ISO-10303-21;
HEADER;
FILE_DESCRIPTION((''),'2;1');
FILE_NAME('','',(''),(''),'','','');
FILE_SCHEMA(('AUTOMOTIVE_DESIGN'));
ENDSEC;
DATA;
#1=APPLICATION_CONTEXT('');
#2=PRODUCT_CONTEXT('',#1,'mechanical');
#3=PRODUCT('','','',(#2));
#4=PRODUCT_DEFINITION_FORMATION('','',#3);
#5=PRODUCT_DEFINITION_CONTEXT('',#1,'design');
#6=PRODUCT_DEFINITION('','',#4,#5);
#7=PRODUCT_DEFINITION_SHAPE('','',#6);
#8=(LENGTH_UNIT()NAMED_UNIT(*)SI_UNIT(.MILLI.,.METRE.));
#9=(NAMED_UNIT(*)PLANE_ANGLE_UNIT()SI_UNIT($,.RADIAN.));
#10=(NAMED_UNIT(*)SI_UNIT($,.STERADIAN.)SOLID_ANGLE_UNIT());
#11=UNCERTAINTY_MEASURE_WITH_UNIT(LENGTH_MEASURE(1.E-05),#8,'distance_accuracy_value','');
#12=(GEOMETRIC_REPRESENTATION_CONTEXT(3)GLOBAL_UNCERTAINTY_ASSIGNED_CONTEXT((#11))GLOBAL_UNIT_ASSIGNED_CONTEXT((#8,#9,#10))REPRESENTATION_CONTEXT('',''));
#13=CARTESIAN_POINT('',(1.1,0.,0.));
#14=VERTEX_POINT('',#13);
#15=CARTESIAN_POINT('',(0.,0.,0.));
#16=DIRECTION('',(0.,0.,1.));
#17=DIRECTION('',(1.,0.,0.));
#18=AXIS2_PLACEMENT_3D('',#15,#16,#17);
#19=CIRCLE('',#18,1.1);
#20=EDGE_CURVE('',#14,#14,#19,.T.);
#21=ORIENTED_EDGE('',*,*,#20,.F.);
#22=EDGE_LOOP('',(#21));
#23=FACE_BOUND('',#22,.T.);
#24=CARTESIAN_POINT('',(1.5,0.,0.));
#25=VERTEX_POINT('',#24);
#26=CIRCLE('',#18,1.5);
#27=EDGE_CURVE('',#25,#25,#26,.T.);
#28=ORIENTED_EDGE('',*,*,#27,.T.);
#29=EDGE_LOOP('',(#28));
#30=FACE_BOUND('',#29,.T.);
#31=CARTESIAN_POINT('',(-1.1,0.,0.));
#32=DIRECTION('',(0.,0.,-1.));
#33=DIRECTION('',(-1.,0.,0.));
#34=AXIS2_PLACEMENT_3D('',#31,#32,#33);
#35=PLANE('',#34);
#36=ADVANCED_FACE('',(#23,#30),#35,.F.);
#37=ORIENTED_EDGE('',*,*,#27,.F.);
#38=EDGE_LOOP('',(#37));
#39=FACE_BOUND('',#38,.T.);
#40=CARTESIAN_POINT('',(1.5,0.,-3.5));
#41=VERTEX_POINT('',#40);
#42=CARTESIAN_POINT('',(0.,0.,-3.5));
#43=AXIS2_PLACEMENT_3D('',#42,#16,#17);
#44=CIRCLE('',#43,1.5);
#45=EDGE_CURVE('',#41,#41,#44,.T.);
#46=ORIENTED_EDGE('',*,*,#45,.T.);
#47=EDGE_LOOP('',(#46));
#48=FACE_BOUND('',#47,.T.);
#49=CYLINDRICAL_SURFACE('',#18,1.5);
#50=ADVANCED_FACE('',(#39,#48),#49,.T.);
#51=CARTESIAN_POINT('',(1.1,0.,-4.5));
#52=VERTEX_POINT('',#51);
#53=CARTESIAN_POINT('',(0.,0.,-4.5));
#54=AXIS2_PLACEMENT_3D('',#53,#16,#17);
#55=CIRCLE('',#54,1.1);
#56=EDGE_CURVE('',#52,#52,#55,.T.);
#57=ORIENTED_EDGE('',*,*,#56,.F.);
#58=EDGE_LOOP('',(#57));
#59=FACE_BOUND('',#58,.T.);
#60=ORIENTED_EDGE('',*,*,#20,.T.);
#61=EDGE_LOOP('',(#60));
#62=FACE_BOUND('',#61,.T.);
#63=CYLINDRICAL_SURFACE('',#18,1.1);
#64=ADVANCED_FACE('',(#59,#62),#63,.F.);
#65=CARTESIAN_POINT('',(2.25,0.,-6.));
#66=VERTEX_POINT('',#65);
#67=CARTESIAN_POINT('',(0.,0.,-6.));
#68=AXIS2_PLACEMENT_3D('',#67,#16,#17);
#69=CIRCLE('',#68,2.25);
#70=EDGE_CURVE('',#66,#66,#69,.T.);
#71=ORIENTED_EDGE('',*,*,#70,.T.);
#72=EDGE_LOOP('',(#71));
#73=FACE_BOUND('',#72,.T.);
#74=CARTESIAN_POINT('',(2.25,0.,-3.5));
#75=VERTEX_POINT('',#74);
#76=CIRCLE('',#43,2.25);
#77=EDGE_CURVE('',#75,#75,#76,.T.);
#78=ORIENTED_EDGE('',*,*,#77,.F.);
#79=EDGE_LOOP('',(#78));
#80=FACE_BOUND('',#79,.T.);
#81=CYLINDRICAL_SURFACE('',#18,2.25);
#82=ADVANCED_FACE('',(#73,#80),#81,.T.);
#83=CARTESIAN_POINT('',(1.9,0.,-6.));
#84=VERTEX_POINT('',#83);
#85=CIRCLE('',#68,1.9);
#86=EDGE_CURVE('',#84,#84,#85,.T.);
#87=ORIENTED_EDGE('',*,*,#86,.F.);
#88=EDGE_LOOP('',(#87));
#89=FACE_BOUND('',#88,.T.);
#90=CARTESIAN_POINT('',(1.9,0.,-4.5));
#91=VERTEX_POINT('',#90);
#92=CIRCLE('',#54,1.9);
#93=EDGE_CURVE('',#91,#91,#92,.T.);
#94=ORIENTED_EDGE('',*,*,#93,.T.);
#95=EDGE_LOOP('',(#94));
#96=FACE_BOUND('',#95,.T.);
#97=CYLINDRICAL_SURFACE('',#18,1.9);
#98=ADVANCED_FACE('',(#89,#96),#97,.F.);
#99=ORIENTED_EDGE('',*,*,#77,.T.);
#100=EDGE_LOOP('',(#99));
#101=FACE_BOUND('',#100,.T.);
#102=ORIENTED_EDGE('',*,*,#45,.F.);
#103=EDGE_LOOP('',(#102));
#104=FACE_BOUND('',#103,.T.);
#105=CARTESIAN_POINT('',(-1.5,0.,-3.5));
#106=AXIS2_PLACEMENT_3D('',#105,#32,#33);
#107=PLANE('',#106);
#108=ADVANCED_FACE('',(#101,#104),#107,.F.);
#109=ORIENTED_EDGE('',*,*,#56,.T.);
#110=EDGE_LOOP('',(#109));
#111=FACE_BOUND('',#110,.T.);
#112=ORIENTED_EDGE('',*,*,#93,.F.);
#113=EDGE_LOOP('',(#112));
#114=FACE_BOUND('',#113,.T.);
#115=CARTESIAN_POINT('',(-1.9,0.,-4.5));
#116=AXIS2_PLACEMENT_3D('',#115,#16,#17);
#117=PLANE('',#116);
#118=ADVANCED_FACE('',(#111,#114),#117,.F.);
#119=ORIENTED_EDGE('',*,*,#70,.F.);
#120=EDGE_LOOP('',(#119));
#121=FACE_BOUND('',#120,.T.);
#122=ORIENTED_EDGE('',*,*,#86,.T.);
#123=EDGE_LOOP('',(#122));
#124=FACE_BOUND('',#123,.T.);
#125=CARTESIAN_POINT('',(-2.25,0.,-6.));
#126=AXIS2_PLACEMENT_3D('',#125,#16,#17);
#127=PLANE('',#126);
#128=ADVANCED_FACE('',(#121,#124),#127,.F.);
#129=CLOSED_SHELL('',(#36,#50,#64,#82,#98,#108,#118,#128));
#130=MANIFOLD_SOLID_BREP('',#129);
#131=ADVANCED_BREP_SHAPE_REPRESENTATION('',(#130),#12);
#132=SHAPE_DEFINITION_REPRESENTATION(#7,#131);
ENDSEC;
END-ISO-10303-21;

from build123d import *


with BuildPart() as part:
    # Sketch1 → Revolve1 (revolve)
    with BuildSketch(Plane(origin=(0, 0, 0), x_dir=(1, 0, 0), z_dir=(0, 1, 0)), mode=Mode.PRIVATE) as revolve1_sk:
        Polygon((-1.1, 0), (-1.5, 0), (-1.5, 3.5), (-2.25, 3.5), (-2.25, 6), (-1.9, 6), (-1.9, 4.5), (-1.1, 4.5), align=None)
    revolve(revolve1_sk.sketch.rotate(Axis((0, 0, 0), (0, 0, -1)), 180), axis=Axis((0, 0, 0), (0, 0, -1)))


solid = part.part
